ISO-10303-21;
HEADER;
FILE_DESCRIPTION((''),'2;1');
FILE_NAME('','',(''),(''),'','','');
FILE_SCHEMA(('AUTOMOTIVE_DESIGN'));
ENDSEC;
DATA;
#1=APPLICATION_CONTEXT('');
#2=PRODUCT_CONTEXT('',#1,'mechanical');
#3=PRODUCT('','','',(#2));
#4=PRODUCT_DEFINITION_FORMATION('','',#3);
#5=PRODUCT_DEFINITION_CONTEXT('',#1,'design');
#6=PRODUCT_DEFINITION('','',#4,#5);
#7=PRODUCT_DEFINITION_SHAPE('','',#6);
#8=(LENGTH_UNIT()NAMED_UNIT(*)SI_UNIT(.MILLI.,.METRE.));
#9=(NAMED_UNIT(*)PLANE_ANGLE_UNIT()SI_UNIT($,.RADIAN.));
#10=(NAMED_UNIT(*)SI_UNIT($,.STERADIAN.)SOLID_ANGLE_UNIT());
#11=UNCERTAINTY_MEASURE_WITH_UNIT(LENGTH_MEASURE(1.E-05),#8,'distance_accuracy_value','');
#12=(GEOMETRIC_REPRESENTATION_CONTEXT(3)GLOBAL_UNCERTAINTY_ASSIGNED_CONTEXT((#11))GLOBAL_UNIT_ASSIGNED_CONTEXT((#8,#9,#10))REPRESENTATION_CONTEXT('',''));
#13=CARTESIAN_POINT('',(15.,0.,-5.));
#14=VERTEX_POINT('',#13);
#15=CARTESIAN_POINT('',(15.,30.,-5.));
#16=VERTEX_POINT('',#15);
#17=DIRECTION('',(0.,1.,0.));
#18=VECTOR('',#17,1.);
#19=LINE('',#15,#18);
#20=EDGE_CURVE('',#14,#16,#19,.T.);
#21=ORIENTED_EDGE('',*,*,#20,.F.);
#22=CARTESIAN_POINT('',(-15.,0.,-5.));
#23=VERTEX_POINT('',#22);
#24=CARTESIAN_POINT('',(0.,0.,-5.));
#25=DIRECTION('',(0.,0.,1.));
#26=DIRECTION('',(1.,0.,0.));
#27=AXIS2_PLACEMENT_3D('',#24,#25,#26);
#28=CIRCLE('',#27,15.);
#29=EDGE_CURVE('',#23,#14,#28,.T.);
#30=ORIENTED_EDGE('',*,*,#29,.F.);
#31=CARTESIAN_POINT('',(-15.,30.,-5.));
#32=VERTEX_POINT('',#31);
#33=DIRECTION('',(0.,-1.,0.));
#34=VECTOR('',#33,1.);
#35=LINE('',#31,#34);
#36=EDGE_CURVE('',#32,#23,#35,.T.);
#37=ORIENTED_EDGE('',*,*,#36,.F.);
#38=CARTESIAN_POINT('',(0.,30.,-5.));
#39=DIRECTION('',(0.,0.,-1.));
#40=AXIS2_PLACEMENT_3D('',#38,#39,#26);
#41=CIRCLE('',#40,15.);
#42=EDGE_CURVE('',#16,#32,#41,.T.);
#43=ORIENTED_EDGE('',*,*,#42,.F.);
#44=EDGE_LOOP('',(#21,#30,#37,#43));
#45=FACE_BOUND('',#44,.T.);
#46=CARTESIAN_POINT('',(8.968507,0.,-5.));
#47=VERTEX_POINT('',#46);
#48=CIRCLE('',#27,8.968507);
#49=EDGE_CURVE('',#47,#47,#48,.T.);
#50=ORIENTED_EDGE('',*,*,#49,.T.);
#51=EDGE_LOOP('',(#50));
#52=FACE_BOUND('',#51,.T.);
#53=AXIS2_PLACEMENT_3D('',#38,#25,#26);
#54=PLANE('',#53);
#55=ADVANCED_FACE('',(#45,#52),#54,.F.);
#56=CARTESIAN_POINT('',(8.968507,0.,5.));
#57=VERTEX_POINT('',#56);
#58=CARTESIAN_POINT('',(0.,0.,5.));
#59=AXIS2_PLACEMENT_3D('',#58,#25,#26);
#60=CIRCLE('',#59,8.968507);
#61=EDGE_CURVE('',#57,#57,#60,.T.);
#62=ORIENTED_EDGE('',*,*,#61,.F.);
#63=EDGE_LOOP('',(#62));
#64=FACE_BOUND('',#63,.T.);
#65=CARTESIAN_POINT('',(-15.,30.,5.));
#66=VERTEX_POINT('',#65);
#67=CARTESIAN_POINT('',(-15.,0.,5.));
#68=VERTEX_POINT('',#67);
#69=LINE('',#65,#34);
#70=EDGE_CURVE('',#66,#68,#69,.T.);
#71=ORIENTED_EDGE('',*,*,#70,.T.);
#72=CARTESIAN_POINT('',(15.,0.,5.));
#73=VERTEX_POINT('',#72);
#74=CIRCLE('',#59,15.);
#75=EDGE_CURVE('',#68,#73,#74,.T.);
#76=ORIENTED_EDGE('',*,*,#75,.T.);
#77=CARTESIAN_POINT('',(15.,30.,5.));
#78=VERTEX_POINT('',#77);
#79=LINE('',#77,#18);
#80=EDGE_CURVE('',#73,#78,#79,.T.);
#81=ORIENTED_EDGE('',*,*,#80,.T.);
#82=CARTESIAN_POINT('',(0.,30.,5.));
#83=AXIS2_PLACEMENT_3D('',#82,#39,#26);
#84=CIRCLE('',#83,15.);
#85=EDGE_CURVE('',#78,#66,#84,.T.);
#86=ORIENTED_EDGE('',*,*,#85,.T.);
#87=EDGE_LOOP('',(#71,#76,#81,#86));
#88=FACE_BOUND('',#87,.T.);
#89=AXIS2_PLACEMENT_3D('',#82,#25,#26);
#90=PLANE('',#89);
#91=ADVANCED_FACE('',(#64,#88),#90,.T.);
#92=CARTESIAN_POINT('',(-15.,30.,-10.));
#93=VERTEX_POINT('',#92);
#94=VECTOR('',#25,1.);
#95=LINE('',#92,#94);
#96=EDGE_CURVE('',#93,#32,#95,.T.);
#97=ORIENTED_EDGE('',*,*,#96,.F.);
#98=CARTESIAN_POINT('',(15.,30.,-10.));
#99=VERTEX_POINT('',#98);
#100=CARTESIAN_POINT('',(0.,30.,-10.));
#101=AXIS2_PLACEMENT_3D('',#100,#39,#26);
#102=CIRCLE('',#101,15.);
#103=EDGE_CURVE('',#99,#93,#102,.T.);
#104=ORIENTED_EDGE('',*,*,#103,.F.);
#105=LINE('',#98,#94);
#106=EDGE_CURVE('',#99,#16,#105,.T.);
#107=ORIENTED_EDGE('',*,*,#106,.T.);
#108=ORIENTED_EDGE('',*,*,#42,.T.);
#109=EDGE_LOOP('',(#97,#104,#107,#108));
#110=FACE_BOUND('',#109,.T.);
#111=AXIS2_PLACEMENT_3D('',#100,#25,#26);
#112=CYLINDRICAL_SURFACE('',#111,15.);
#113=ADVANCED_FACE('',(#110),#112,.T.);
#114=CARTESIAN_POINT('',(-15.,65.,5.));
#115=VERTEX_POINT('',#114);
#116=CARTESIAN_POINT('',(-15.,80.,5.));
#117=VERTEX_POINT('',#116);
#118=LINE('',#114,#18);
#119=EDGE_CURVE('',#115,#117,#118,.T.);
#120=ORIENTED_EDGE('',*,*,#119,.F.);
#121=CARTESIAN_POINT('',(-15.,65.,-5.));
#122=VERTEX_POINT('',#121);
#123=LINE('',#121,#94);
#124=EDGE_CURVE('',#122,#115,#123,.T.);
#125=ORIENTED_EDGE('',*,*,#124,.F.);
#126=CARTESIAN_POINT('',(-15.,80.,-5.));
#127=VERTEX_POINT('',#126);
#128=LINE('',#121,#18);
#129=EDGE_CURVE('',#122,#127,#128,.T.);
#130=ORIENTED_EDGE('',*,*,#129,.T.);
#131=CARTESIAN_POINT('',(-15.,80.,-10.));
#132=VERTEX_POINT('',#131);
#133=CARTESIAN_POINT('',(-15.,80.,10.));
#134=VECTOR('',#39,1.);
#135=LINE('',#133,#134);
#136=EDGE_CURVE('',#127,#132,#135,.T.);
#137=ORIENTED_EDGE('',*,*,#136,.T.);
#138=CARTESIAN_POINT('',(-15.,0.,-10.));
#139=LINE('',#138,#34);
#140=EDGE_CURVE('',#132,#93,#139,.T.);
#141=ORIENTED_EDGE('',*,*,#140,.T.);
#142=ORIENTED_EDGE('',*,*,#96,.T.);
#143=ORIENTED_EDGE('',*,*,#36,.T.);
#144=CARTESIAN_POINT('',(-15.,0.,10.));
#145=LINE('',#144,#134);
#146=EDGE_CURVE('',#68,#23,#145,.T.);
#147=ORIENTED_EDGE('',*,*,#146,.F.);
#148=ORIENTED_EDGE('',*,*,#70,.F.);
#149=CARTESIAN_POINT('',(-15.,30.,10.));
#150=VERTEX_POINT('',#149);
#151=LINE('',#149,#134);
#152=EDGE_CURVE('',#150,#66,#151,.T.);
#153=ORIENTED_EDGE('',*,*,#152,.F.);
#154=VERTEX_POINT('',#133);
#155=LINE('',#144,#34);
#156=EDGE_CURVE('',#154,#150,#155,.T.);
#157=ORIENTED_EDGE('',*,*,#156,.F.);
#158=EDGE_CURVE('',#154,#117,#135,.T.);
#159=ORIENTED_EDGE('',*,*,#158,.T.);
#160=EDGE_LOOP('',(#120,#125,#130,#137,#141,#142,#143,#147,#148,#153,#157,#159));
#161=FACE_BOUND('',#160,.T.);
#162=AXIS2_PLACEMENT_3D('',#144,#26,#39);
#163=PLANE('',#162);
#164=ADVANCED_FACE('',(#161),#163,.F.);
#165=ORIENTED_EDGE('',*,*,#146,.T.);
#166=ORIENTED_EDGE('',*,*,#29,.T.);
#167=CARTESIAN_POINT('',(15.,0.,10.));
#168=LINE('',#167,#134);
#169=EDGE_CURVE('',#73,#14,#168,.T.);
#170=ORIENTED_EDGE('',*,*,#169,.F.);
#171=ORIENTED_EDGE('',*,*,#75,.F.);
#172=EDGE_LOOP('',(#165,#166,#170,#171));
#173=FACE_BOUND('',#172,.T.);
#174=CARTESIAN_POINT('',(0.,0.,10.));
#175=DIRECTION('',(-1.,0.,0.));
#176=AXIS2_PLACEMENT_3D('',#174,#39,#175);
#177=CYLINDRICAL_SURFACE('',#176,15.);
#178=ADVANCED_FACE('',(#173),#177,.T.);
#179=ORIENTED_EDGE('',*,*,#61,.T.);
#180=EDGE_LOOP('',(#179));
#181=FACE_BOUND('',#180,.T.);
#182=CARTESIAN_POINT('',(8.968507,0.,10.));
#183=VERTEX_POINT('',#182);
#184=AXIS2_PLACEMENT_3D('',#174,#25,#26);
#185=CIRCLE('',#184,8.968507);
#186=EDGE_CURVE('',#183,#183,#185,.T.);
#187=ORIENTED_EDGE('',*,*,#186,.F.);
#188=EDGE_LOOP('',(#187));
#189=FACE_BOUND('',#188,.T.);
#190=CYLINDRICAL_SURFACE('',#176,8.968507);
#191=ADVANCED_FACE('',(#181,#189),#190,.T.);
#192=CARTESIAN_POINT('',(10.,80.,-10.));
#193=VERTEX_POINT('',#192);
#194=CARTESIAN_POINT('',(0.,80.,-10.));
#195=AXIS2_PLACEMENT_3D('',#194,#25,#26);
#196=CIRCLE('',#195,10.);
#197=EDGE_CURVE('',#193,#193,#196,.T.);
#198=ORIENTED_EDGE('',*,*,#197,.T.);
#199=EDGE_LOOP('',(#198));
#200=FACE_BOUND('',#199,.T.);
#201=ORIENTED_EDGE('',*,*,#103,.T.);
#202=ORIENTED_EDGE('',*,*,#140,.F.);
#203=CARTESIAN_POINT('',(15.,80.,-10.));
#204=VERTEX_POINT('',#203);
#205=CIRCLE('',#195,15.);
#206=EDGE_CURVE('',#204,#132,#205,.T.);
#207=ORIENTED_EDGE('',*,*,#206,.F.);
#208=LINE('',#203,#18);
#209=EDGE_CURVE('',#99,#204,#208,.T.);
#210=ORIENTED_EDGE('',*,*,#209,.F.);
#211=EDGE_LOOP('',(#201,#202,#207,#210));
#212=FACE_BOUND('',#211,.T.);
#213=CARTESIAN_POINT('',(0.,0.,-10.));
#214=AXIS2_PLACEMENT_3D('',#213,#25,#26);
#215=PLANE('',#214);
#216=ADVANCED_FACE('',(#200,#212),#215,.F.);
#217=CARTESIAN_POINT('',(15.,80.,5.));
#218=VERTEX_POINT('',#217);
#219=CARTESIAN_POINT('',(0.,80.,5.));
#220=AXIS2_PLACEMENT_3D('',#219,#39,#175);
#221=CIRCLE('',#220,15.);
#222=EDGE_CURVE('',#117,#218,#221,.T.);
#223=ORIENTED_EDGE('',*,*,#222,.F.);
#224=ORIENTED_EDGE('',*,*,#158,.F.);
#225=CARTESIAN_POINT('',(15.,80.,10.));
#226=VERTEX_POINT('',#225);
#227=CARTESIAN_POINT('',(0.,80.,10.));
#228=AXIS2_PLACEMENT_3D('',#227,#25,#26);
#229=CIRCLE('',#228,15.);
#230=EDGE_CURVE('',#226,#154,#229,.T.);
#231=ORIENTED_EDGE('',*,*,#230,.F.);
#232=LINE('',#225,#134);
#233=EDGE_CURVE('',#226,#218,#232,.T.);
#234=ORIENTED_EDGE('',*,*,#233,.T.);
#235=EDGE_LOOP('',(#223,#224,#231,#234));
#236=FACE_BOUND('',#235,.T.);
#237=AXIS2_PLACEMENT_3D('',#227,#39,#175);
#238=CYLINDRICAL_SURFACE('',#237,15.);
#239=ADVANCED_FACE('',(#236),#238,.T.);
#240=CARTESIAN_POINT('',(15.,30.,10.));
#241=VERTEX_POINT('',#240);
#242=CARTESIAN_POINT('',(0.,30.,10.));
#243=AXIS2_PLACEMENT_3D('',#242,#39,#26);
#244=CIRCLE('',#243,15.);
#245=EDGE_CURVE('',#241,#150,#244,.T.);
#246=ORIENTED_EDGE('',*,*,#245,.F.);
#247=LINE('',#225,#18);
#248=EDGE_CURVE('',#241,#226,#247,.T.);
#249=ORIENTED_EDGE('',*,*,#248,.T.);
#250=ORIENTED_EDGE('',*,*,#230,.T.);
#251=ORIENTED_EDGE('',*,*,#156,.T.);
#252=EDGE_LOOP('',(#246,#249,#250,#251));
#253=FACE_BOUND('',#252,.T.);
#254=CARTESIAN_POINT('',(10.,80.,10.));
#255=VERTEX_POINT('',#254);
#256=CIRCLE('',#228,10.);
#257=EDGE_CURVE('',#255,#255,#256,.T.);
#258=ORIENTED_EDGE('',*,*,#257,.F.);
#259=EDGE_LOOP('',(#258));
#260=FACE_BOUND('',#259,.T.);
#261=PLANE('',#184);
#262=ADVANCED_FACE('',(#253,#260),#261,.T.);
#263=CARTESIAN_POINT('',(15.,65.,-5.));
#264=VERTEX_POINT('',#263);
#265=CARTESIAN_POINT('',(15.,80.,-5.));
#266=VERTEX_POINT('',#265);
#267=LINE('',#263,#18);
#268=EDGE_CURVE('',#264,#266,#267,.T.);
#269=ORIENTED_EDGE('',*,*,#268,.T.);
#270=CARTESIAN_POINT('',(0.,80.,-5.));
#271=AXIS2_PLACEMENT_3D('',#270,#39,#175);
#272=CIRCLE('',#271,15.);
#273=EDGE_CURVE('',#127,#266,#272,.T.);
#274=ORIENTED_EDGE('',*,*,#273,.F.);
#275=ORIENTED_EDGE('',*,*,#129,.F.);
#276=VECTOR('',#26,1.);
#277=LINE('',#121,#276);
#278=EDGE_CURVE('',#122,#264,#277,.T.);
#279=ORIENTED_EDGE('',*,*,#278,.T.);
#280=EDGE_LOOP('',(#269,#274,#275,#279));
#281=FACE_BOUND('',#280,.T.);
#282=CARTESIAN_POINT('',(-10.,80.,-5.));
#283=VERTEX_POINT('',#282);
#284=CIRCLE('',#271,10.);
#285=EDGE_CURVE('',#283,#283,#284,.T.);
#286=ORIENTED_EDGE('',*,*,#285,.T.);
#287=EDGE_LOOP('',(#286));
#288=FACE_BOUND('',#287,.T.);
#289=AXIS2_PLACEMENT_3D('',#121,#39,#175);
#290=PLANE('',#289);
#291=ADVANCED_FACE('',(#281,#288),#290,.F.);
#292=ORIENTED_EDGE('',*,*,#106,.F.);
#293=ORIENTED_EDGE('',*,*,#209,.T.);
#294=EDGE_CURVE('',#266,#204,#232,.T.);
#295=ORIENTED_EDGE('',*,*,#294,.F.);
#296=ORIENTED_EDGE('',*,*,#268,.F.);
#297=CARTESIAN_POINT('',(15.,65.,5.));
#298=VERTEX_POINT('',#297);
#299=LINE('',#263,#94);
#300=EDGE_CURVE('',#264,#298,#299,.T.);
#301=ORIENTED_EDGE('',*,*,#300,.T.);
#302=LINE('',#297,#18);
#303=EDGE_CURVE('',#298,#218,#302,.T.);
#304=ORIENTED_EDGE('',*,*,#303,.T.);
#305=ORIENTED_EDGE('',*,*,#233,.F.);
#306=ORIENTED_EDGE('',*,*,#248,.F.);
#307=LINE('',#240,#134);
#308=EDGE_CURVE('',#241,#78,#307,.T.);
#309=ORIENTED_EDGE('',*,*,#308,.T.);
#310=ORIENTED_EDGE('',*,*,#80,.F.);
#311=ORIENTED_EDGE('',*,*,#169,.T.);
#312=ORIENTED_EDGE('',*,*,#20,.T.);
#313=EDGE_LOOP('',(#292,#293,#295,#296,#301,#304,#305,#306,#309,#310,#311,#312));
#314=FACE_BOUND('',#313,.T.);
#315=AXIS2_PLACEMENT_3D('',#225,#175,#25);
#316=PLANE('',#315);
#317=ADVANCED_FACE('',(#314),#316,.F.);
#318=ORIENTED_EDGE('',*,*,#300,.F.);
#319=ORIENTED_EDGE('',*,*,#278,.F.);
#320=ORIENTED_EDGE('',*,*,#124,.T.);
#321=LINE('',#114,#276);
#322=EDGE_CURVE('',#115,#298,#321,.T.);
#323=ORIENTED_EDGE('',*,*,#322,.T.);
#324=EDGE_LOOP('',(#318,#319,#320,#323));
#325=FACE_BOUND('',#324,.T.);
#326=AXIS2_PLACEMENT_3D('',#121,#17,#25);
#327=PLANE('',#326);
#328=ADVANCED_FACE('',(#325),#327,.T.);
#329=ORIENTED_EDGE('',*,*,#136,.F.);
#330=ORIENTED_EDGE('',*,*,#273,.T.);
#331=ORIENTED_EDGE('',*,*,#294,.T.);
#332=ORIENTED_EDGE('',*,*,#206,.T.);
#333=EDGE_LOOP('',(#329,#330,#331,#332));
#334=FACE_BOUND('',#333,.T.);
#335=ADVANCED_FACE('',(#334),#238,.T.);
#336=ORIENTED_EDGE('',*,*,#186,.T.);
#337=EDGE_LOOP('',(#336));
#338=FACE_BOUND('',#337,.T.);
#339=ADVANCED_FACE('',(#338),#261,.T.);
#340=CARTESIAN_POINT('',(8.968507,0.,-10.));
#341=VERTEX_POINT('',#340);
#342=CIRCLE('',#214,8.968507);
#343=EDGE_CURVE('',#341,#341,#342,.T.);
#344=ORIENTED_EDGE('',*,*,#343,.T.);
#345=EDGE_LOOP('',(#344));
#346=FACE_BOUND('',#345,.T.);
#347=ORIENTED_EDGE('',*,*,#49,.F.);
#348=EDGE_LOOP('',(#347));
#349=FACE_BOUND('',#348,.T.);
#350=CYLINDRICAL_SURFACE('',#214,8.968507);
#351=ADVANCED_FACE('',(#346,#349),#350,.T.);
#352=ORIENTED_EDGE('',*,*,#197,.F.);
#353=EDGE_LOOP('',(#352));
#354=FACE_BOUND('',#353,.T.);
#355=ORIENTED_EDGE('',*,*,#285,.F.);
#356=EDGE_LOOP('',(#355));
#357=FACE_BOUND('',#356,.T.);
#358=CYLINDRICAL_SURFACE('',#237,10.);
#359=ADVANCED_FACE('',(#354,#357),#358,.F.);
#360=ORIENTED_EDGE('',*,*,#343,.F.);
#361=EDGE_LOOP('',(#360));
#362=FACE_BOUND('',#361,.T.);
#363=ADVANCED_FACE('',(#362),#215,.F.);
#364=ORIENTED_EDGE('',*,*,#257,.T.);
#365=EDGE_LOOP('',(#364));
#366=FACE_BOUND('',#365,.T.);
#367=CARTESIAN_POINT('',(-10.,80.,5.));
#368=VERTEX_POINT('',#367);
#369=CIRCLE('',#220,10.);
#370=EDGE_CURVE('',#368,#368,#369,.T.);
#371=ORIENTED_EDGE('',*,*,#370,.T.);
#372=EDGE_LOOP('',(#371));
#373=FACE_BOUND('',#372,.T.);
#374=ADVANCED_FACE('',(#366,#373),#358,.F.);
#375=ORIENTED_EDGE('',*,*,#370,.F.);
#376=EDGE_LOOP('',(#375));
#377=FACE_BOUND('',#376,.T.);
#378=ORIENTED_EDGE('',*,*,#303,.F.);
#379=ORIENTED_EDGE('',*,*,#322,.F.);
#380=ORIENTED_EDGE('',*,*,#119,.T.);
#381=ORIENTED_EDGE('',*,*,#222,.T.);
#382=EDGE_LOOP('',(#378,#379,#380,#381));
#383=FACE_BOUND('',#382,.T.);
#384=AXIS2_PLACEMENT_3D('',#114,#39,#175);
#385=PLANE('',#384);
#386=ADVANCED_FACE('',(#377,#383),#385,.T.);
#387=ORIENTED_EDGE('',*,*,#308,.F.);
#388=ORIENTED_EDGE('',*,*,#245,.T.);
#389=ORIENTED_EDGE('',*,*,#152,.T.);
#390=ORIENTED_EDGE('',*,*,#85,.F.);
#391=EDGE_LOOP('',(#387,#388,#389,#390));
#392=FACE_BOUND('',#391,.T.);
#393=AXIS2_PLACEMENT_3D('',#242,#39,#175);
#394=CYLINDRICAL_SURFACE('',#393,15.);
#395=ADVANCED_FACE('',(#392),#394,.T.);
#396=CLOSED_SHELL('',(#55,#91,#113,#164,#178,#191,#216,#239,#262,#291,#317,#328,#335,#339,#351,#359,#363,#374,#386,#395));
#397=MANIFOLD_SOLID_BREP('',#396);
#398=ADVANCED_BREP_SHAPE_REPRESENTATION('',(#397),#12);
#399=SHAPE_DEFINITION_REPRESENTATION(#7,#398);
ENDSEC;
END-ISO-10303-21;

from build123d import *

# Parameters (mm, degrees)
CROQUIS1_R                 = 10
SALIENTE_EXTRUIR1_DEPTH    = 10
CORTAR_EXTRUIR2_DEPTH      = 97.695398029
CORTAR_EXTRUIR2_DEPTH_BACK = 97.695398029
CROQUIS2_W                 = 10
CROQUIS2_H                 = 30
CORTAR_EXTRUIR4_START      = -5
CROQUIS4_R                 = 8.968507367
CORTAR_EXTRUIR4_DEPTH      = 92.695398029
CORTAR_EXTRUIR6_START      = 5
CROQUIS4_2_R               = 8.968507367
CORTAR_EXTRUIR6_DEPTH      = 92.695398029


with BuildPart() as part:
    # Croquis1 → Saliente-Extruir1 (new, symmetric)
    with BuildSketch(Plane.XY):
        with BuildLine():
            Line((-15, 0), (-15, 80))
            ThreePointArc((-15, 80), (0, 95), (15, 80))
            Line((15, 80), (15, 0))
            ThreePointArc((15, 0), (0, -15), (-15, 0))
        make_face()
        with Locations((0, 80)):
            Circle(CROQUIS1_R, mode=Mode.SUBTRACT)
    extrude(amount=SALIENTE_EXTRUIR1_DEPTH, both=True)

    # Croquis2 → Cortar-Extruir2 (cut, two sides: drawn at the far end of the back side and taken through both)
    with BuildSketch(Plane(origin=(0, 0, 0), x_dir=(0, 0, -1), z_dir=(1, 0, 0)).offset(-CORTAR_EXTRUIR2_DEPTH_BACK)):
        with Locations((0, 80)):
            Rectangle(CROQUIS2_W, CROQUIS2_H)
    extrude(amount=CORTAR_EXTRUIR2_DEPTH + CORTAR_EXTRUIR2_DEPTH_BACK, mode=Mode.SUBTRACT)

    # Croquis4 → Cortar-Extruir4 (cut, through all)
    with BuildSketch(Plane.XY.offset(CORTAR_EXTRUIR4_START)):
        with BuildLine():
            Line((-15, 30), (-15, 0))
            ThreePointArc((-15, 0), (0, -15), (15, 0))
            Line((15, 0), (15, 30))
            ThreePointArc((15, 30), (0, 15), (-15, 30))
        make_face()
        Circle(CROQUIS4_R, mode=Mode.SUBTRACT)
    extrude(amount=-CORTAR_EXTRUIR4_DEPTH, mode=Mode.SUBTRACT)

    # Croquis4<2> → Cortar-Extruir6 (cut, through all)
    with BuildSketch(Plane.XY.offset(CORTAR_EXTRUIR6_START)):
        with BuildLine():
            Line((-15, 30), (-15, 0))
            ThreePointArc((-15, 0), (0, -15), (15, 0))
            Line((15, 0), (15, 30))
            ThreePointArc((15, 30), (0, 15), (-15, 30))
        make_face()
        Circle(CROQUIS4_2_R, mode=Mode.SUBTRACT)
    extrude(amount=CORTAR_EXTRUIR6_DEPTH, mode=Mode.SUBTRACT)


solid = part.part
